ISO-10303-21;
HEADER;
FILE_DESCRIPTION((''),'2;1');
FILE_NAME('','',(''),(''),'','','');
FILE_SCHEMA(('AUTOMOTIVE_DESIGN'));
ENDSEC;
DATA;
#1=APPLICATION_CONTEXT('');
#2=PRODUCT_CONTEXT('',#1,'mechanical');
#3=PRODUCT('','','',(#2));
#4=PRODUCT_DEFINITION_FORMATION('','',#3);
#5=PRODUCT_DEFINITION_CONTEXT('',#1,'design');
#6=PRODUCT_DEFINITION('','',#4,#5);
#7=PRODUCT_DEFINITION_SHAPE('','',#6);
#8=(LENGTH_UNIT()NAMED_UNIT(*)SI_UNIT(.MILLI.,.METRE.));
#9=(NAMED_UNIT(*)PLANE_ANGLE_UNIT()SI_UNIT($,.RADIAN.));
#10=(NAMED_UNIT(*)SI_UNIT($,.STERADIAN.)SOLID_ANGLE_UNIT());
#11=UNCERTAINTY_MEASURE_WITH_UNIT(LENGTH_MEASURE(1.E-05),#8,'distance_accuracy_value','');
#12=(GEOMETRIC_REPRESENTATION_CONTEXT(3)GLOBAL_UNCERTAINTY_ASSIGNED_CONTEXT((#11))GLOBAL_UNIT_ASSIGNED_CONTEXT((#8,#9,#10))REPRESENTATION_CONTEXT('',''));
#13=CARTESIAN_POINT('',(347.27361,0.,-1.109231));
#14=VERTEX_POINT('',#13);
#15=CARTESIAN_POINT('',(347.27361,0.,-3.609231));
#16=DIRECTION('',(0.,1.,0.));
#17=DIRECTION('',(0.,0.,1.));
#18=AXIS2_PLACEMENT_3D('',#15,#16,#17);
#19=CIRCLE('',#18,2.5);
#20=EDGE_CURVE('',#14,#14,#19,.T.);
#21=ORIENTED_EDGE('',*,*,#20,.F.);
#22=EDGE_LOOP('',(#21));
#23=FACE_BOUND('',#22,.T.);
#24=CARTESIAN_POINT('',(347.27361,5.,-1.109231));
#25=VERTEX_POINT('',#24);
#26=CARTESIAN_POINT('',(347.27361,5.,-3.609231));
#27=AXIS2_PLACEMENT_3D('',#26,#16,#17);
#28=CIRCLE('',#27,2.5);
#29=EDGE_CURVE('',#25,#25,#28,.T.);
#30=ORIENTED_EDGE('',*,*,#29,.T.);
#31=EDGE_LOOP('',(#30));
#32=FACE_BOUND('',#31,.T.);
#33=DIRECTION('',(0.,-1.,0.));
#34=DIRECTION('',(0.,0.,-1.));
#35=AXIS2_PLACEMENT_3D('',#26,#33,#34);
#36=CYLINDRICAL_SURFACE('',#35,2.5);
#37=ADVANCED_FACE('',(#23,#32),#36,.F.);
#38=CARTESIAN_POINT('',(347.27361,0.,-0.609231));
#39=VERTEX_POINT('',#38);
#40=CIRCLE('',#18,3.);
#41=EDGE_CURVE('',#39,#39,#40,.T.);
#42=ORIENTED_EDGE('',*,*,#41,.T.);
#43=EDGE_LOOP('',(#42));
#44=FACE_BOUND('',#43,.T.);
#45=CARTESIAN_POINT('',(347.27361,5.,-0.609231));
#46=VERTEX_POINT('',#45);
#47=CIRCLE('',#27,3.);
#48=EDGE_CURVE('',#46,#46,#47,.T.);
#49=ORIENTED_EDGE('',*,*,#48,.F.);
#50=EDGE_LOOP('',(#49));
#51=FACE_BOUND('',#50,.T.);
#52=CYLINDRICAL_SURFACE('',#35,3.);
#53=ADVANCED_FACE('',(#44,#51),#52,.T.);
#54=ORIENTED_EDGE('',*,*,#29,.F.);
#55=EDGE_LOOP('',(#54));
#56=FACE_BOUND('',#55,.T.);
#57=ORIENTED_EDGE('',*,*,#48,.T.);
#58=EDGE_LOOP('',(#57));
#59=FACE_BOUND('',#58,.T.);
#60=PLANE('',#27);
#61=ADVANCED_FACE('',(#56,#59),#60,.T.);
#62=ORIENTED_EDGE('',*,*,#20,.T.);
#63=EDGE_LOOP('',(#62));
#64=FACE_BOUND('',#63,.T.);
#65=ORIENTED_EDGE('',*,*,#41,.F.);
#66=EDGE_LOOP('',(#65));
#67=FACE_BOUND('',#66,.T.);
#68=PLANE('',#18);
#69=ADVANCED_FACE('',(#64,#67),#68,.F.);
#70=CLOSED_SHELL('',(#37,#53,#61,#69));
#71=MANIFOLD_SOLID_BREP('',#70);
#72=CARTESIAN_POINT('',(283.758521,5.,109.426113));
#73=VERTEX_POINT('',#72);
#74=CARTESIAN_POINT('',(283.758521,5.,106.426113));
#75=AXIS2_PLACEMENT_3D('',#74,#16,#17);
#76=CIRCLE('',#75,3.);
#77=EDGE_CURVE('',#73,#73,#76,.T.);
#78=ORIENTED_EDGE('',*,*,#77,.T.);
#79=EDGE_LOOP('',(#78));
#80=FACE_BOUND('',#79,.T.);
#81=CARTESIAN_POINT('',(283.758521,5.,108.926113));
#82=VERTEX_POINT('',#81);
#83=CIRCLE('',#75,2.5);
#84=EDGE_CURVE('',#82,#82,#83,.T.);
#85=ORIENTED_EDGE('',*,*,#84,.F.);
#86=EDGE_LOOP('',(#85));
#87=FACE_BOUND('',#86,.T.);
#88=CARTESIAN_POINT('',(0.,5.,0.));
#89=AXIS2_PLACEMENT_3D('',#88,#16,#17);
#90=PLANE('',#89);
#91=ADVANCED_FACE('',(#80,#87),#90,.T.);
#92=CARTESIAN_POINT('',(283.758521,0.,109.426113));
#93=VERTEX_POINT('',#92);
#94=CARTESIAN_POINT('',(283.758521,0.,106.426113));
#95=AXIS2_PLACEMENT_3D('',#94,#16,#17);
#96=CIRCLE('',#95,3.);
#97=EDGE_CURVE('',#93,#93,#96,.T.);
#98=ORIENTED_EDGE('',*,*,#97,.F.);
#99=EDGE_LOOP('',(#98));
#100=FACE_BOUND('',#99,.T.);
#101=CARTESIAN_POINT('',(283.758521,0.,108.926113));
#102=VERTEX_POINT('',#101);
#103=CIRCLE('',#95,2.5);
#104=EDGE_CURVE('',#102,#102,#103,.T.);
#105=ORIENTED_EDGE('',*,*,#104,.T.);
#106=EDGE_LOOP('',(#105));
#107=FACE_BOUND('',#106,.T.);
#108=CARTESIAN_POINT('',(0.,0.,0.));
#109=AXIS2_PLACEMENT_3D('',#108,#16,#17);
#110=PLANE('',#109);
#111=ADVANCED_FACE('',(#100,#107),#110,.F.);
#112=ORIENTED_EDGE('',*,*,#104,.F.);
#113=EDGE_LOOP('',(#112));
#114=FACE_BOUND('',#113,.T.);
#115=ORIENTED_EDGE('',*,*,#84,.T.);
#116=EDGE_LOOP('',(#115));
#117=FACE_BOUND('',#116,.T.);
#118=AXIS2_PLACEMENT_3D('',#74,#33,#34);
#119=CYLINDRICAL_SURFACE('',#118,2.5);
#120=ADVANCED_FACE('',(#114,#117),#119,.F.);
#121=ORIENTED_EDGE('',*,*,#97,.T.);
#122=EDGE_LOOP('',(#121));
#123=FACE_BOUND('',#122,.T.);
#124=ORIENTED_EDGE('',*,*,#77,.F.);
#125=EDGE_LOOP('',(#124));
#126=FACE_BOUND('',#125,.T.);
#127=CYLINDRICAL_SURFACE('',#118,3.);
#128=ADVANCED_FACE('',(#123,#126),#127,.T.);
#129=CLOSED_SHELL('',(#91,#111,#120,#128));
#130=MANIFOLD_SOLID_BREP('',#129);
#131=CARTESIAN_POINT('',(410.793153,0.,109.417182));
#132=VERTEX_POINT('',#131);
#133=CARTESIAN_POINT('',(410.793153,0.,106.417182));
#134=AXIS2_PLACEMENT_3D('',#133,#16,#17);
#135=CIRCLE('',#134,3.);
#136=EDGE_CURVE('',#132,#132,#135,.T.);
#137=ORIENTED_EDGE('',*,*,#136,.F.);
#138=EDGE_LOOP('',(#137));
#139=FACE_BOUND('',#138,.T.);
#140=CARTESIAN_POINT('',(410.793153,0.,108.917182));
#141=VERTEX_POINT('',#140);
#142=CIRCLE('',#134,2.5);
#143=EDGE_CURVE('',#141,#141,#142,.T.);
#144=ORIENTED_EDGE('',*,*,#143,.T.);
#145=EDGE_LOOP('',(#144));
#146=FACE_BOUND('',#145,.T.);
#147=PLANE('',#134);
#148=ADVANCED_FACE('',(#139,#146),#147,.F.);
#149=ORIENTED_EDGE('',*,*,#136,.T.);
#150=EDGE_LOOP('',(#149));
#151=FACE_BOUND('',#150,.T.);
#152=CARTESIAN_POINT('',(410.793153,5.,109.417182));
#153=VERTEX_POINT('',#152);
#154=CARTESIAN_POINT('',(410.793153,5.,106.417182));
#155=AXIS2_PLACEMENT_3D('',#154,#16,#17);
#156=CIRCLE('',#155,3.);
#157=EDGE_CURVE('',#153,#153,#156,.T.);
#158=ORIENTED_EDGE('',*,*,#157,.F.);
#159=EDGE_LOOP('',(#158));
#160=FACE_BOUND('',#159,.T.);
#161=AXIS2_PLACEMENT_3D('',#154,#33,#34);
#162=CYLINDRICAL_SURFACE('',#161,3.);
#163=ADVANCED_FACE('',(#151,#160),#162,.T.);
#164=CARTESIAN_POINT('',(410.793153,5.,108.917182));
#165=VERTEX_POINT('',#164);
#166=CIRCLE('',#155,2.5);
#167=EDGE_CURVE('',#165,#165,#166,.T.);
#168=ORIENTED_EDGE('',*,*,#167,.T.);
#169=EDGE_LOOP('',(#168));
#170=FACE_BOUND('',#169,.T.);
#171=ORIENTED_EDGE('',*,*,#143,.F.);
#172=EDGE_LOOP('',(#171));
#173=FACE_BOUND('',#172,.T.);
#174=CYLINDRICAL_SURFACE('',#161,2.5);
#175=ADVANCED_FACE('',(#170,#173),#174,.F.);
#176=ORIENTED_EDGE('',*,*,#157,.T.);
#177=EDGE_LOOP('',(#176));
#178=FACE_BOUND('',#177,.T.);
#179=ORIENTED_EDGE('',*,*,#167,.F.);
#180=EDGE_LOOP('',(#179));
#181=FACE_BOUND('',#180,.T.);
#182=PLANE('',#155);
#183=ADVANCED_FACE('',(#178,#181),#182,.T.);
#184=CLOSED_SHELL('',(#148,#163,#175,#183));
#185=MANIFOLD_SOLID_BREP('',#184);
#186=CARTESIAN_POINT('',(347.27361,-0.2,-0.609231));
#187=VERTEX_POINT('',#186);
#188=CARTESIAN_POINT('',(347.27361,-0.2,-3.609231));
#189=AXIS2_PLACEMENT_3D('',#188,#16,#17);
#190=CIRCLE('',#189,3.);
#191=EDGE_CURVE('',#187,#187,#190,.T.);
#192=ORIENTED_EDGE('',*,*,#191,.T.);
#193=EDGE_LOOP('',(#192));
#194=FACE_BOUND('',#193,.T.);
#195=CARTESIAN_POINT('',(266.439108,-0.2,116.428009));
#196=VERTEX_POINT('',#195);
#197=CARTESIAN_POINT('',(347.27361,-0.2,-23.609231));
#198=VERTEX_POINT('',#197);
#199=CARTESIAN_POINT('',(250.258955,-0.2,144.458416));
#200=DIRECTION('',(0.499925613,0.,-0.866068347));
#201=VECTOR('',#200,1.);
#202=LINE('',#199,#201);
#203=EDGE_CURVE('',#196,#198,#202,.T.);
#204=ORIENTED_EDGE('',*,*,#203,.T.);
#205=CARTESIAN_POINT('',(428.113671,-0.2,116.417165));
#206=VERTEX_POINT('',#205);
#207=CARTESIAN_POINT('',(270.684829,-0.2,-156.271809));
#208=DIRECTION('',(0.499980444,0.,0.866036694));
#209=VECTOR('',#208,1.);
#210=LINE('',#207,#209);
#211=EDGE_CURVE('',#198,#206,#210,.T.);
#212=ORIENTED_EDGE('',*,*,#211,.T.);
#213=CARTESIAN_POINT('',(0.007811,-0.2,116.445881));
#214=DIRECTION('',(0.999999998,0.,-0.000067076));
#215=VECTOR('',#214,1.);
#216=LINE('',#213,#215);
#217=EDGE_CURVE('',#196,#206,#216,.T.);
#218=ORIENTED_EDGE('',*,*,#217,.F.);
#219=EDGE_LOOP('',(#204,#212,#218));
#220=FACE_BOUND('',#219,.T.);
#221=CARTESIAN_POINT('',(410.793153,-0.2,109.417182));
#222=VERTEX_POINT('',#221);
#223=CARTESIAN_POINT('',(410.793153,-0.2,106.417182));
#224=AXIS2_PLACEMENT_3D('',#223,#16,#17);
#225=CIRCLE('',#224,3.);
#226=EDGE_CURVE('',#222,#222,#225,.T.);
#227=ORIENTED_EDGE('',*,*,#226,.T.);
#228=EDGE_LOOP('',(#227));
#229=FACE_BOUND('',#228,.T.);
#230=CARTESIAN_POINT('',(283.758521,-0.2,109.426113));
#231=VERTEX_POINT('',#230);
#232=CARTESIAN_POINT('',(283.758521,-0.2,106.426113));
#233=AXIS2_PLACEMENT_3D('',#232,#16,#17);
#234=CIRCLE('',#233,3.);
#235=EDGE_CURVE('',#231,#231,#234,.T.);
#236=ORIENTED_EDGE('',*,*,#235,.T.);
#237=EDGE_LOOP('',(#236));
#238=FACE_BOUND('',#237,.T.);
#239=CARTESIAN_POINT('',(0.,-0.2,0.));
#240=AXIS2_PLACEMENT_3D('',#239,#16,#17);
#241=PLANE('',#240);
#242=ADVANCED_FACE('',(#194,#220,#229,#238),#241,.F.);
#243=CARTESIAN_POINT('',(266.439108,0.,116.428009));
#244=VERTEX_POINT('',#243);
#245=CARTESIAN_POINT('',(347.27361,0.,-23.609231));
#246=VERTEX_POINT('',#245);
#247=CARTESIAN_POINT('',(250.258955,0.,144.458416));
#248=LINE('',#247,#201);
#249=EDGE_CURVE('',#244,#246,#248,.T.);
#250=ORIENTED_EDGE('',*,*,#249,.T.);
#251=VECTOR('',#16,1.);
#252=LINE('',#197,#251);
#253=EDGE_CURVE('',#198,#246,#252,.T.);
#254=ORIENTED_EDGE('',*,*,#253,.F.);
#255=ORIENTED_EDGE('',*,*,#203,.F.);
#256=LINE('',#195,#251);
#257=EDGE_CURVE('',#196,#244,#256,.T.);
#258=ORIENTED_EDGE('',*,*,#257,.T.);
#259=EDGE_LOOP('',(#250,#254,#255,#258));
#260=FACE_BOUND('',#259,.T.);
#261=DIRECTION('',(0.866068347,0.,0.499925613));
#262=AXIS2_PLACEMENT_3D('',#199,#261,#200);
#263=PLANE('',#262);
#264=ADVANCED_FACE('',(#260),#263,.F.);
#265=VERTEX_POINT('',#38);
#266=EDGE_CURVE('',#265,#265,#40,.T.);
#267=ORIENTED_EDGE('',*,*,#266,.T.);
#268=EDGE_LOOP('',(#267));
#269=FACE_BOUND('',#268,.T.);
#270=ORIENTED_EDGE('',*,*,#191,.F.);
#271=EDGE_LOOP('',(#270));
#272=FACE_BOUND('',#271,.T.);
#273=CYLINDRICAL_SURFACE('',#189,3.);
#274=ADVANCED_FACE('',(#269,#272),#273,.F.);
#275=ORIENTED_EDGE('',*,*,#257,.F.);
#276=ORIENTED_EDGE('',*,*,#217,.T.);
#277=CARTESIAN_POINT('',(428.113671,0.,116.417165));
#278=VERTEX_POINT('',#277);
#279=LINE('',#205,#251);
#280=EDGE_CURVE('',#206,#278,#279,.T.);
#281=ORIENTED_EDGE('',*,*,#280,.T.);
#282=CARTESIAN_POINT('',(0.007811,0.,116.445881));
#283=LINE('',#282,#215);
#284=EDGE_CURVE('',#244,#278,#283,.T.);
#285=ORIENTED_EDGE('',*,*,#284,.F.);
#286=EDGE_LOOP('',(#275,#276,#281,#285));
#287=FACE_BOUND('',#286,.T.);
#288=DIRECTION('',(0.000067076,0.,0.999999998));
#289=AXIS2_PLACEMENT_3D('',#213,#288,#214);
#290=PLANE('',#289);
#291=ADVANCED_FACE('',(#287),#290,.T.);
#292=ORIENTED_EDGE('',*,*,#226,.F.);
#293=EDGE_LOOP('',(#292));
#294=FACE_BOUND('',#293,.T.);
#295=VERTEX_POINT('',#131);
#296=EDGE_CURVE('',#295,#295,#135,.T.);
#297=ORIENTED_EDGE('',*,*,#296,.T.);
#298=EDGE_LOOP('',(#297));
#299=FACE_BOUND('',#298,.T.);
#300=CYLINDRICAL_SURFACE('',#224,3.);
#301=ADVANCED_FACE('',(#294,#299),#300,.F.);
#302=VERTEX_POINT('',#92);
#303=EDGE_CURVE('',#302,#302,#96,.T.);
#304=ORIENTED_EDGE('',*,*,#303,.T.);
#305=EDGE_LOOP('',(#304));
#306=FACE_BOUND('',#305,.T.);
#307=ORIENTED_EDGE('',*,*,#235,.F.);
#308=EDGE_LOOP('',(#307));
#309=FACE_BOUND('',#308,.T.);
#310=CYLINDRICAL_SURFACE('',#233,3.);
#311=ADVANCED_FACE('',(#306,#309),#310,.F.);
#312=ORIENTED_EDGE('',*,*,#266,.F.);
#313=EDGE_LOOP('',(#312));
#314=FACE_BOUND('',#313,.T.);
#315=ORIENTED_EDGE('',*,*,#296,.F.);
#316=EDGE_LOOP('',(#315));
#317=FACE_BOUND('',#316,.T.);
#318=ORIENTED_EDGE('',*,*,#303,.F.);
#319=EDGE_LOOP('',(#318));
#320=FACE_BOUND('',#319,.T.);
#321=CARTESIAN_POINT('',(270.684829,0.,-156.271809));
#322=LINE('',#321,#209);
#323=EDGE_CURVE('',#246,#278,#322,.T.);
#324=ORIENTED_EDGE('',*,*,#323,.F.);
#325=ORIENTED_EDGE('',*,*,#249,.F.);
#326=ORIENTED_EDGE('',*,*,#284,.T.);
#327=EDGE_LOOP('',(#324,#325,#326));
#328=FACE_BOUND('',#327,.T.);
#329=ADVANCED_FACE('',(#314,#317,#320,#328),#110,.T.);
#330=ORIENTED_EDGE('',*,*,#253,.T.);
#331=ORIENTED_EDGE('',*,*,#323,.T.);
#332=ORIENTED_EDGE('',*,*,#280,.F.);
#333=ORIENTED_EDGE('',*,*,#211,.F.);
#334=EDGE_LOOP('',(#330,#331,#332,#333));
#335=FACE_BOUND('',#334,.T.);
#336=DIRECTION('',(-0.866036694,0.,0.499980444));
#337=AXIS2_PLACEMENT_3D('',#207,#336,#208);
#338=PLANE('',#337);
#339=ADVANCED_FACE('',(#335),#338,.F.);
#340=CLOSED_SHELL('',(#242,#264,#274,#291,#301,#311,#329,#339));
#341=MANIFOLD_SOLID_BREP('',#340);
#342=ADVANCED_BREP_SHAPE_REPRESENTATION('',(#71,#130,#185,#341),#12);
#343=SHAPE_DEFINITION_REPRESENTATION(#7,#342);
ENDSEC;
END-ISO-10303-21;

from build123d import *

# Parameters (mm, degrees)
SKETCH1_R             = 3
BOSS_EXTRUDE5_DEPTH   = 0.2
SKETCH1_21_R          = 3
SKETCH1_21_R_2        = 2.5
BOSS_EXTRUDE6_DEPTH   = 5
BOSS_EXTRUDE6_2_DEPTH = 5
BOSS_EXTRUDE6_3_DEPTH = 5


with BuildPart() as part:
    # Sketch1 → Boss-Extrude5 (new body)
    with BuildSketch(Plane(origin=(0, 0, 0), x_dir=(1, 0, 0), z_dir=(0, 1, 0))):
        Polygon((347.273609729, 23.609230825), (266.439108268, -116.428009241), (428.113670918, -116.417164681), align=None)
        with Locations((283.758521159, -106.426112565)):
            Circle(SKETCH1_R, mode=Mode.SUBTRACT)
        with Locations((410.793152563, -106.417182487)):
            Circle(SKETCH1_R, mode=Mode.SUBTRACT)
        with Locations((347.273609729, 3.609230825)):
            Circle(SKETCH1_R, mode=Mode.SUBTRACT)
    extrude(amount=-BOSS_EXTRUDE5_DEPTH)


with BuildPart() as body_2:
    # Sketch1<21> → Boss-Extrude6 (new body)
    with BuildSketch(Plane(origin=(0, 0, 0), x_dir=(1, 0, 0), z_dir=(0, 1, 0))):
        with Locations((347.273609729, 3.609230825)):
            Circle(SKETCH1_21_R)
        with Locations((347.273609729, 3.609230825)):
            Circle(SKETCH1_21_R_2, mode=Mode.SUBTRACT)
    extrude(amount=BOSS_EXTRUDE6_DEPTH)


with BuildPart() as body_3:
    # Sketch1<21> → Boss-Extrude6 2 (new body)
    with BuildSketch(Plane(origin=(0, 0, 0), x_dir=(1, 0, 0), z_dir=(0, 1, 0))):
        with Locations((410.793152563, -106.417182487)):
            Circle(SKETCH1_21_R)
        with Locations((410.793152563, -106.417182487)):
            Circle(SKETCH1_21_R_2, mode=Mode.SUBTRACT)
    extrude(amount=BOSS_EXTRUDE6_2_DEPTH)


with BuildPart() as body_4:
    # Sketch1<21> → Boss-Extrude6 3 (new body)
    with BuildSketch(Plane(origin=(0, 0, 0), x_dir=(1, 0, 0), z_dir=(0, 1, 0))):
        with Locations((283.758521159, -106.426112565)):
            Circle(SKETCH1_21_R)
        with Locations((283.758521159, -106.426112565)):
            Circle(SKETCH1_21_R_2, mode=Mode.SUBTRACT)
    extrude(amount=BOSS_EXTRUDE6_3_DEPTH)


solid = Compound([part.part, body_2.part, body_3.part, body_4.part])
